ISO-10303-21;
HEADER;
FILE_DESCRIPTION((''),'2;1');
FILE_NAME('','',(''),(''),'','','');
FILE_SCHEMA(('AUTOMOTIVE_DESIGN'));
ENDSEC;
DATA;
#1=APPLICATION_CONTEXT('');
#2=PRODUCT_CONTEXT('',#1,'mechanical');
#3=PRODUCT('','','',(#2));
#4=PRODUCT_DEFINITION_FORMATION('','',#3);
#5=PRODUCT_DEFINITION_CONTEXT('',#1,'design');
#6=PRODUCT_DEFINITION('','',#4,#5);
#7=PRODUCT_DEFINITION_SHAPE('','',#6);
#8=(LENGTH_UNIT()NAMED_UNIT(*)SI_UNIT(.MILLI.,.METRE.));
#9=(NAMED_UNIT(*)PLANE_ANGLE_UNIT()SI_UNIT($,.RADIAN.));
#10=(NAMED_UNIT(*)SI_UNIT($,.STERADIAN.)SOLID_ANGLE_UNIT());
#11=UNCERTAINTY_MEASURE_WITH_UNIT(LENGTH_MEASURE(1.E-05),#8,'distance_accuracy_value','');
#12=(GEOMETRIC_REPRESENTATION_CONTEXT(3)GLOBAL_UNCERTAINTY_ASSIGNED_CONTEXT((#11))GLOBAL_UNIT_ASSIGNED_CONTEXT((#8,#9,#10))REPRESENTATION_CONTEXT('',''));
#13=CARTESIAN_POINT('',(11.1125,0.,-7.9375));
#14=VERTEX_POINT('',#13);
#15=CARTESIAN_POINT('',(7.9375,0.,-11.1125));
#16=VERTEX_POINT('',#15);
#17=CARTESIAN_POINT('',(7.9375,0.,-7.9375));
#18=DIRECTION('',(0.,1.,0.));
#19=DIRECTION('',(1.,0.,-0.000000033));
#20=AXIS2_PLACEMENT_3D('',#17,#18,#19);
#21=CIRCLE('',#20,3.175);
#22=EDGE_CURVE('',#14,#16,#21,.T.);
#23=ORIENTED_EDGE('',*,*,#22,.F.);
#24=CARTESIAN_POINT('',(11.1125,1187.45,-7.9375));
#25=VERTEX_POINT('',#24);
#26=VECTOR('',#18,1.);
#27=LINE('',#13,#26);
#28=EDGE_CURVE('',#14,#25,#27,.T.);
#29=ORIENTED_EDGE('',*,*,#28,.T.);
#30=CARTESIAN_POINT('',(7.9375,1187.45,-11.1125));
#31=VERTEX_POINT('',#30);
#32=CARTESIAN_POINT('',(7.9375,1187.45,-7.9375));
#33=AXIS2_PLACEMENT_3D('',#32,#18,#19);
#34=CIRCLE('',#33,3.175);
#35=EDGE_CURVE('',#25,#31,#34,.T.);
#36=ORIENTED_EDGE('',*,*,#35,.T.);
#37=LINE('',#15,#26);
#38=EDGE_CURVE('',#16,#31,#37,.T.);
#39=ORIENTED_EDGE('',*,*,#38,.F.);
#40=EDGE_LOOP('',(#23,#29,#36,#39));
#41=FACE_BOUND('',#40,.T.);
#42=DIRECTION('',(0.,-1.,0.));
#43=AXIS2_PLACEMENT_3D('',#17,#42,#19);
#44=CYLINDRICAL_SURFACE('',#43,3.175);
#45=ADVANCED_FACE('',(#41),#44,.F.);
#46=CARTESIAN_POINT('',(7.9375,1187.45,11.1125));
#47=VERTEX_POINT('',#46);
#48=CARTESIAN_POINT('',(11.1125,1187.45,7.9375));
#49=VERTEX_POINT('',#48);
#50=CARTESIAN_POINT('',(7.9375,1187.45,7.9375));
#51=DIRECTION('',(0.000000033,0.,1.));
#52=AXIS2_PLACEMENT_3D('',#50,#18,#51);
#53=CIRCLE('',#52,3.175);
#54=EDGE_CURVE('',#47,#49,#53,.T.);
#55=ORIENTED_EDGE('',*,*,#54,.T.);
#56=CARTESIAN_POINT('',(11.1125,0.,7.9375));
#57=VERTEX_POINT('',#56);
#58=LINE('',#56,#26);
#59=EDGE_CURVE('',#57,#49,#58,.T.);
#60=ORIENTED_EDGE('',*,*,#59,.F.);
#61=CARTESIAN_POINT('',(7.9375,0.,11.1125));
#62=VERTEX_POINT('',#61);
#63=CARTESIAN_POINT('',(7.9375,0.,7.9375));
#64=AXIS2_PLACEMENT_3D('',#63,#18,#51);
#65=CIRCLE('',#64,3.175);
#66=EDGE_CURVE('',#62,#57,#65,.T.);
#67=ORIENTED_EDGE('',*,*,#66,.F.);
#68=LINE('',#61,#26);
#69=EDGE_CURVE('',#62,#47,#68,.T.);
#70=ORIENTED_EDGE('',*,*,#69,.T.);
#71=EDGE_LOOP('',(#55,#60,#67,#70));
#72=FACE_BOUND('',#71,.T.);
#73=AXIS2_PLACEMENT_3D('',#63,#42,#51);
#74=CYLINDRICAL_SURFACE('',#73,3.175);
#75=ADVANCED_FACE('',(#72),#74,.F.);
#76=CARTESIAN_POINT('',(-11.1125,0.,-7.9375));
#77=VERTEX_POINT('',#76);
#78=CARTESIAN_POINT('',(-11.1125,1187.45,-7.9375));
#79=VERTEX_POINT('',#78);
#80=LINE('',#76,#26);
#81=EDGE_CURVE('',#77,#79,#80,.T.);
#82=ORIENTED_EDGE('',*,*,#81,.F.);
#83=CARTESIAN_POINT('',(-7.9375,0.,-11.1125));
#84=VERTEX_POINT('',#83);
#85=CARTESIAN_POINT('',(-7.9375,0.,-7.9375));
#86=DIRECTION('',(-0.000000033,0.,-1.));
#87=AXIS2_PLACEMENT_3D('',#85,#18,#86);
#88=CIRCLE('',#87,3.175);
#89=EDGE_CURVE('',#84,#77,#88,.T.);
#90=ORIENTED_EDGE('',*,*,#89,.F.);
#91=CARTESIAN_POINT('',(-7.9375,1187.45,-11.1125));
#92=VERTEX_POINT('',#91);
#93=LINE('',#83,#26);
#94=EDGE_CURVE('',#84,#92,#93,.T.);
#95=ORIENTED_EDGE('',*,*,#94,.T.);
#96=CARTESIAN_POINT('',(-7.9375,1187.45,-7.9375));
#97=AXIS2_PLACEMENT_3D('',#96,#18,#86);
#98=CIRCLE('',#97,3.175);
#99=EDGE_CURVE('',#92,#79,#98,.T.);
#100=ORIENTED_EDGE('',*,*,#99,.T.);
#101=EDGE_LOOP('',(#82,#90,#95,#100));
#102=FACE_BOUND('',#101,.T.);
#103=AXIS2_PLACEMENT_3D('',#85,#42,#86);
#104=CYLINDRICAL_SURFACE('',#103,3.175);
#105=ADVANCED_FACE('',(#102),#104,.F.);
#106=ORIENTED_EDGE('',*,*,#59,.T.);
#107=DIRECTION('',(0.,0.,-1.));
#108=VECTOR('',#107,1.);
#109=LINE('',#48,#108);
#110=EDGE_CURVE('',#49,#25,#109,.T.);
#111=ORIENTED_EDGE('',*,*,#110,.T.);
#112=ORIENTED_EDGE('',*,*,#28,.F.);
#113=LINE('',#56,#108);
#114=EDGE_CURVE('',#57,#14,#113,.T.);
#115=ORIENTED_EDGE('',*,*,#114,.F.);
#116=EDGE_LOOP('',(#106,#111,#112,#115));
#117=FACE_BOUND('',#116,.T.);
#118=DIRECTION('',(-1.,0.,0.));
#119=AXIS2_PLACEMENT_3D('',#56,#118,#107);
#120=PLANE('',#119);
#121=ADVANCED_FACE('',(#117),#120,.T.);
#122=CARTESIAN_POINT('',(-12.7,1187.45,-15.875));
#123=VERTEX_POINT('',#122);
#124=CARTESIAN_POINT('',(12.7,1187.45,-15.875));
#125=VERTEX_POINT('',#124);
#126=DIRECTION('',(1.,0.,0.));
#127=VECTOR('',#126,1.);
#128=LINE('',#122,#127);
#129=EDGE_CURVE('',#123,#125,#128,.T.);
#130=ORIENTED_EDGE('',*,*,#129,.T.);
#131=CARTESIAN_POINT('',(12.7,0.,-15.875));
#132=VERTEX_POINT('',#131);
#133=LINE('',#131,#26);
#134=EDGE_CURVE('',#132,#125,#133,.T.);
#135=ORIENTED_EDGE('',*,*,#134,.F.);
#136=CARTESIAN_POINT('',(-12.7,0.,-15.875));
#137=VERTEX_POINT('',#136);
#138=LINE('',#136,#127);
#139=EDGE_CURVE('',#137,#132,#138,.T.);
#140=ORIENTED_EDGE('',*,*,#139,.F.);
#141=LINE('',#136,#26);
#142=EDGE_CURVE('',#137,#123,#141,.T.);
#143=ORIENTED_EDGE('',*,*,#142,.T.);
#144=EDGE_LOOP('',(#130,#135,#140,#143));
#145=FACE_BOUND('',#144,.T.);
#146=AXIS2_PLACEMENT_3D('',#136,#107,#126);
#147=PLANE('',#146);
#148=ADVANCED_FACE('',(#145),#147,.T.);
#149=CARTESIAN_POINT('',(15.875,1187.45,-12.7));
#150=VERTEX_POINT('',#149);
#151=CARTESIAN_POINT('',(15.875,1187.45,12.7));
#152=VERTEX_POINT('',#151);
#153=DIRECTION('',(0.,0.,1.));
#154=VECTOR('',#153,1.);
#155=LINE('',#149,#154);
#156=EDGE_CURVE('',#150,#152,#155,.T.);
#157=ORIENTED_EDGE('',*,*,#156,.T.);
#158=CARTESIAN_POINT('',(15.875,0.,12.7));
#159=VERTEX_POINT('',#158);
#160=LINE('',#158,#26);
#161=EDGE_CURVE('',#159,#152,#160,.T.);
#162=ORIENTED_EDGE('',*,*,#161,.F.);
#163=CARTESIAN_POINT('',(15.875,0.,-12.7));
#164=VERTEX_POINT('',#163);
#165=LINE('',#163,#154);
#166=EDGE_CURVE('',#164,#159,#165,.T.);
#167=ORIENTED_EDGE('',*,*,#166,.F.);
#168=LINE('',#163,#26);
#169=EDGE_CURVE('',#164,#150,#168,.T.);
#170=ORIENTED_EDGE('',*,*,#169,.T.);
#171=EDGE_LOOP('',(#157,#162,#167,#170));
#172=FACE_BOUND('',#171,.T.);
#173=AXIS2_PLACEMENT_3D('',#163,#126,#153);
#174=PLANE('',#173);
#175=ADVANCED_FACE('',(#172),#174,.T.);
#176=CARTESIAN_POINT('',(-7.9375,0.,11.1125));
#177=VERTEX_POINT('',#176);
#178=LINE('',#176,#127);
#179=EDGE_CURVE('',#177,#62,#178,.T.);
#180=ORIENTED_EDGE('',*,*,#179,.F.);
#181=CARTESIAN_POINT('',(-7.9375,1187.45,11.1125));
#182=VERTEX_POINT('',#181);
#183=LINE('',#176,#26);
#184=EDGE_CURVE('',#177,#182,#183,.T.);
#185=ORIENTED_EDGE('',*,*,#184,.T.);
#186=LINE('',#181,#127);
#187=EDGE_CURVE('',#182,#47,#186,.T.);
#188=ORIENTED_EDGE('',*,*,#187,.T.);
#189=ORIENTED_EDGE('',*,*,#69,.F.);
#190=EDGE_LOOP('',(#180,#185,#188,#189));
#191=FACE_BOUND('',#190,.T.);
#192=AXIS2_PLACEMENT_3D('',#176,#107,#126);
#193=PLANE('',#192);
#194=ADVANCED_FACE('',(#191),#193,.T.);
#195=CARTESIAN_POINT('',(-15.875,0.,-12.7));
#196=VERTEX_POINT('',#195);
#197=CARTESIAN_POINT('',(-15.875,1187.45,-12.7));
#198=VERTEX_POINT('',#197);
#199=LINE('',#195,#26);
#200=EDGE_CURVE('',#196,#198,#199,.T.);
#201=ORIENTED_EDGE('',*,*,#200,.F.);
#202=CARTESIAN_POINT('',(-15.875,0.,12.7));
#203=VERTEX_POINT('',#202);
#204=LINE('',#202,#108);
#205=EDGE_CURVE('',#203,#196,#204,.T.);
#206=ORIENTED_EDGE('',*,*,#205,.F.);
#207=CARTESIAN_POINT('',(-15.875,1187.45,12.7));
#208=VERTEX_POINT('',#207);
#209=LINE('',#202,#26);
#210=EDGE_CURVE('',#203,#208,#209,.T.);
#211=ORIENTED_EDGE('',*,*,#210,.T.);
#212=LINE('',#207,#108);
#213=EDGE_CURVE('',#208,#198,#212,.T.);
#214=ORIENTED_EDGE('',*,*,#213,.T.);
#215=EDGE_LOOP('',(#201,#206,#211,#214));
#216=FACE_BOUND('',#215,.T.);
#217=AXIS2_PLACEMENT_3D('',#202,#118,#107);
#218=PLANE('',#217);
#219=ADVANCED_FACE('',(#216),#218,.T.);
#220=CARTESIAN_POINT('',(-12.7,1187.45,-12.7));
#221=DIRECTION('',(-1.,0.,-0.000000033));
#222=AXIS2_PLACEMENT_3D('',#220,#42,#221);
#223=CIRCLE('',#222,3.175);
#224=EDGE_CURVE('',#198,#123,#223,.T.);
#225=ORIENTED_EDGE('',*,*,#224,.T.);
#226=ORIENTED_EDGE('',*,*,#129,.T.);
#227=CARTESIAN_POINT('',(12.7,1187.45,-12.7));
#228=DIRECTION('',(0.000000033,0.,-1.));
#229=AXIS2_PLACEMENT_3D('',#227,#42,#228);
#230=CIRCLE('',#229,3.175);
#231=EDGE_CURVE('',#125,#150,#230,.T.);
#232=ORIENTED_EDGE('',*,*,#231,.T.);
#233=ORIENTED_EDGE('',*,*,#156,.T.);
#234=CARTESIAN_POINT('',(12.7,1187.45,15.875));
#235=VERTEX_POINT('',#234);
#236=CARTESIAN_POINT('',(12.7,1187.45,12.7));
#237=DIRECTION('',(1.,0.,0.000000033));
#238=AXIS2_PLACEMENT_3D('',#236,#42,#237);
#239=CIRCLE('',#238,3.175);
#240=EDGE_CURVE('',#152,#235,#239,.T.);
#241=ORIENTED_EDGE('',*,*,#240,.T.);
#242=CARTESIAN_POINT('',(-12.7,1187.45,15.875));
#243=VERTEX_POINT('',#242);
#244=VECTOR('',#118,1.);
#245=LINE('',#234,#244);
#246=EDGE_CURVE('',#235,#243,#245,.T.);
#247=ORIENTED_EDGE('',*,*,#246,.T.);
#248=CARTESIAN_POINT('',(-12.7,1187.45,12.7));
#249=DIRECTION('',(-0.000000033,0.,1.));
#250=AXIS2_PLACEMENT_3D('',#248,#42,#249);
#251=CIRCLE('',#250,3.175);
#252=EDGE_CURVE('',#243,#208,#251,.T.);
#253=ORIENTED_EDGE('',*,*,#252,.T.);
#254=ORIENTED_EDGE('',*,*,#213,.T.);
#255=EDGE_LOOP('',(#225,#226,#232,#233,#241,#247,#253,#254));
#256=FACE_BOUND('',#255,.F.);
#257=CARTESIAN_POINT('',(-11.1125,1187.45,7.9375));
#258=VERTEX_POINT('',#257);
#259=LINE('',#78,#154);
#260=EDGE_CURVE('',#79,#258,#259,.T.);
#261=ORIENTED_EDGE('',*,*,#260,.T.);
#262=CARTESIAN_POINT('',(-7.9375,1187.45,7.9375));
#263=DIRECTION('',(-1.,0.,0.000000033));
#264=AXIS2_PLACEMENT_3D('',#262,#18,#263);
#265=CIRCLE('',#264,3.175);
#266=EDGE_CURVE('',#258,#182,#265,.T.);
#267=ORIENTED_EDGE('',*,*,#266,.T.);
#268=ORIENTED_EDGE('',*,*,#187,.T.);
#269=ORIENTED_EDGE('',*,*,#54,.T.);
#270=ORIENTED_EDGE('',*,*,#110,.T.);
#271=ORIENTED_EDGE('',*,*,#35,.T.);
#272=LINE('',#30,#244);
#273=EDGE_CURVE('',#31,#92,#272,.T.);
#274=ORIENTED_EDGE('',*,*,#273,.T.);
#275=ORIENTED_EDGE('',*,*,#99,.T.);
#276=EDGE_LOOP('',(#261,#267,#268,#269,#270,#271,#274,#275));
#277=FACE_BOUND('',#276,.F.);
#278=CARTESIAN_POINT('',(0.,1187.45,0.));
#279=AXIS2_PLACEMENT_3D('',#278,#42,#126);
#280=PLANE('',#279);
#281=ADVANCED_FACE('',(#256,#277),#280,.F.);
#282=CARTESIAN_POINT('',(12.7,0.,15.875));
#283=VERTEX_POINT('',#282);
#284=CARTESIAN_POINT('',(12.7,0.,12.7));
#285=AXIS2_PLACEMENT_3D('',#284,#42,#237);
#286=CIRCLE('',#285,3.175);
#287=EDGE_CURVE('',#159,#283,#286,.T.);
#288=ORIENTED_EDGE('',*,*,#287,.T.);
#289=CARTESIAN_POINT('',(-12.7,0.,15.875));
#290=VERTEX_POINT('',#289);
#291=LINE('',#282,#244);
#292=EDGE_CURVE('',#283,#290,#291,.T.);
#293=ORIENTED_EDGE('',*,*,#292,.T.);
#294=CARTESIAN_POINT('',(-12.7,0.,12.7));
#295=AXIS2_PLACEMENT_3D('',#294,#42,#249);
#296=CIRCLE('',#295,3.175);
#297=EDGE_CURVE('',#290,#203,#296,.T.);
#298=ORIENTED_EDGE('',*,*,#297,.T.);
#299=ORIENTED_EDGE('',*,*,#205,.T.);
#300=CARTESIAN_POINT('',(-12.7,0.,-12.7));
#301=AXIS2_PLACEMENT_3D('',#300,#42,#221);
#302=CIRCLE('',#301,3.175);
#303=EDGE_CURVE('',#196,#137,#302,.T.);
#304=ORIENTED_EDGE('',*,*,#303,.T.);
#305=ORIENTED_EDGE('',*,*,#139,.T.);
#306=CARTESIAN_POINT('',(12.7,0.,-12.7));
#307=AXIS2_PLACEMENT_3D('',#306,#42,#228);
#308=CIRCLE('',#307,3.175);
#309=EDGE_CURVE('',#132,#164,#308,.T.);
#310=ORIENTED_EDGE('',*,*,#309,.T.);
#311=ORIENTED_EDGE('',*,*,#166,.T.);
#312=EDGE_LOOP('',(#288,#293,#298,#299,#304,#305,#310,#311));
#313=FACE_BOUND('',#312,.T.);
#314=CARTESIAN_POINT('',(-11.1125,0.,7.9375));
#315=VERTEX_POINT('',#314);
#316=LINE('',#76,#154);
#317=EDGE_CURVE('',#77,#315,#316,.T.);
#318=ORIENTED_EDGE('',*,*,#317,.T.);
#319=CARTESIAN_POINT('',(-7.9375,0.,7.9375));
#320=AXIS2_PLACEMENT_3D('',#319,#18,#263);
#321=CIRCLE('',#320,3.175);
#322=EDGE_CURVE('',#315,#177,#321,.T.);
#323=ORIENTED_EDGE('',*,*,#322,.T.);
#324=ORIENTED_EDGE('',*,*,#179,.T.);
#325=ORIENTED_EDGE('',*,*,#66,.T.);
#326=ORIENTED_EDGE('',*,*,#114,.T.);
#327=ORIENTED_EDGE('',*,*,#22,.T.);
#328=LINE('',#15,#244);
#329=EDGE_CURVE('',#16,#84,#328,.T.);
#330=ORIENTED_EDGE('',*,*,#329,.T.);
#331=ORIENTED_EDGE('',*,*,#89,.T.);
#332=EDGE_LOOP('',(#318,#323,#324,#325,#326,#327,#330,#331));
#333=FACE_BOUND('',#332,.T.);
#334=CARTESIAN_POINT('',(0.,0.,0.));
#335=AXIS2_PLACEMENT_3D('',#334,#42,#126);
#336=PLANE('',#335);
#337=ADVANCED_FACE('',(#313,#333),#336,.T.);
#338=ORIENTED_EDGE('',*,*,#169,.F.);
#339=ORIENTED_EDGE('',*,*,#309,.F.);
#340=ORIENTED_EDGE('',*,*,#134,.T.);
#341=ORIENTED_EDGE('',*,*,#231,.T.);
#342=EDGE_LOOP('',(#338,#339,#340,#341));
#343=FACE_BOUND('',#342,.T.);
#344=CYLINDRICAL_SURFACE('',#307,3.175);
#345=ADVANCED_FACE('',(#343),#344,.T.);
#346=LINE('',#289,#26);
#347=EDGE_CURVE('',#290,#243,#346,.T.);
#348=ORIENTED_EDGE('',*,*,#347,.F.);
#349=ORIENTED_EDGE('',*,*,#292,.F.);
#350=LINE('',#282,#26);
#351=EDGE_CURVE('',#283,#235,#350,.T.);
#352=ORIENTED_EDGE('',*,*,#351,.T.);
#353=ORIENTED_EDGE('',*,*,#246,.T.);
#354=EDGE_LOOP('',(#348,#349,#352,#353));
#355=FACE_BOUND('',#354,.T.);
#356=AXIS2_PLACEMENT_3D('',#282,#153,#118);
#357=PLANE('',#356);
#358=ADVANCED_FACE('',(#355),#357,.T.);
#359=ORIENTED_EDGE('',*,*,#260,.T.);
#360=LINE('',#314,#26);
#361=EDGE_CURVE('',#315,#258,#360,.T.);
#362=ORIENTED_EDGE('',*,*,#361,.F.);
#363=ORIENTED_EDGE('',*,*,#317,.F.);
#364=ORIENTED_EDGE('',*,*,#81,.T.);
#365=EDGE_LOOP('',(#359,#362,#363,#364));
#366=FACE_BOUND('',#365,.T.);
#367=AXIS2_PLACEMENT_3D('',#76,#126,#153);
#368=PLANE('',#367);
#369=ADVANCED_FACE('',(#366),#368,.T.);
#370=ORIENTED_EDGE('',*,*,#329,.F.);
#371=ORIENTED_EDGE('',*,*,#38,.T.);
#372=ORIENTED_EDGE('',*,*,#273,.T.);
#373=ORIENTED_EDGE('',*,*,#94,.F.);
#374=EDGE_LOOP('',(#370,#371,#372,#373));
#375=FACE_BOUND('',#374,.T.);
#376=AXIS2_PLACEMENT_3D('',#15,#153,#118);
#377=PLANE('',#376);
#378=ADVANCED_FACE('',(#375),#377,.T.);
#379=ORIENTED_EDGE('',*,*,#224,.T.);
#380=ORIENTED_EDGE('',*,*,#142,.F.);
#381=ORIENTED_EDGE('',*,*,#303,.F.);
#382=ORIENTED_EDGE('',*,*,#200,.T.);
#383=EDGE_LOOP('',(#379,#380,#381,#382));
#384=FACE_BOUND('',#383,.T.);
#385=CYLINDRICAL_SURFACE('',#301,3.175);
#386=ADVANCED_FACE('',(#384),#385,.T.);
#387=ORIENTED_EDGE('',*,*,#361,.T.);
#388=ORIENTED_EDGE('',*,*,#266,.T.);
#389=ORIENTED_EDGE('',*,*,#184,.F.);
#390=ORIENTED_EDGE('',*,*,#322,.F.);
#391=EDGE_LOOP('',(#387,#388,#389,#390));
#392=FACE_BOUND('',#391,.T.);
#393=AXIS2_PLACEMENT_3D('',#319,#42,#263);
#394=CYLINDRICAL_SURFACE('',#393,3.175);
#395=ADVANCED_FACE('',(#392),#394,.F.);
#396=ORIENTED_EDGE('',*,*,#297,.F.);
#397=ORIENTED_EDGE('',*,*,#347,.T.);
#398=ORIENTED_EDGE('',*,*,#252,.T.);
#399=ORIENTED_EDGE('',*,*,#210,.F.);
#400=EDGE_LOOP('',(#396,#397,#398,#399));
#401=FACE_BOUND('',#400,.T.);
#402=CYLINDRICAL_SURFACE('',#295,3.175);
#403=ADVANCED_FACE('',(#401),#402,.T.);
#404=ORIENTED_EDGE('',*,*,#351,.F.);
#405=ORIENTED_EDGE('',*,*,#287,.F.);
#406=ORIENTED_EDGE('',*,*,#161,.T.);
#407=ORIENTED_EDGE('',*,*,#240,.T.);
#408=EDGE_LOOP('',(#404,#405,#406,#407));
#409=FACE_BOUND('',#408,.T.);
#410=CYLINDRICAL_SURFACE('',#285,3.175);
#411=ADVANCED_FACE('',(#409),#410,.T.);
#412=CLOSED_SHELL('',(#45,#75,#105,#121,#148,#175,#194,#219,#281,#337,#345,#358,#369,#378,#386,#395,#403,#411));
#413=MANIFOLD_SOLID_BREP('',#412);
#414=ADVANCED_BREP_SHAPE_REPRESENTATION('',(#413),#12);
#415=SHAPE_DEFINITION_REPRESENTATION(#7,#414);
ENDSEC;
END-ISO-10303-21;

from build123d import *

# Parameters (mm, degrees)
F1_DEPTH = 1187.45


with BuildPart() as f1:
    # F0 (on Front) → F1 (new body)
    with BuildSketch(Plane.XZ):
        with BuildLine():
            ThreePointArc((15.875, 12.7), (14.945064, 14.945064), (12.7, 15.875))
            Line((12.7, 15.875), (-12.7, 15.875))
            ThreePointArc((-12.7, 15.875), (-14.945064, 14.945064), (-15.875, 12.7))
            Line((-15.875, 12.7), (-15.875, -12.7))
            ThreePointArc((-15.875, -12.7), (-14.945064, -14.945064), (-12.7, -15.875))
            Line((-12.7, -15.875), (12.7, -15.875))
            ThreePointArc((12.7, -15.875), (14.945064, -14.945064), (15.875, -12.7))
            Line((15.875, -12.7), (15.875, 12.7))
        make_face()
        with BuildLine():
            Line((-7.9375, 11.1125), (7.9375, 11.1125))
            ThreePointArc((7.9375, 11.1125), (10.182564, 10.182564), (11.1125, 7.9375))
            Line((11.1125, 7.9375), (11.1125, -7.9375))
            ThreePointArc((11.1125, -7.9375), (10.182564, -10.182564), (7.9375, -11.1125))
            Line((7.9375, -11.1125), (-7.9375, -11.1125))
            ThreePointArc((-7.9375, -11.1125), (-10.182564, -10.182564), (-11.1125, -7.9375))
            Line((-11.1125, -7.9375), (-11.1125, 7.9375))
            ThreePointArc((-11.1125, 7.9375), (-10.182564, 10.182564), (-7.9375, 11.1125))
        make_face(mode=Mode.SUBTRACT)
    extrude(amount=-F1_DEPTH)


solid = f1.part
